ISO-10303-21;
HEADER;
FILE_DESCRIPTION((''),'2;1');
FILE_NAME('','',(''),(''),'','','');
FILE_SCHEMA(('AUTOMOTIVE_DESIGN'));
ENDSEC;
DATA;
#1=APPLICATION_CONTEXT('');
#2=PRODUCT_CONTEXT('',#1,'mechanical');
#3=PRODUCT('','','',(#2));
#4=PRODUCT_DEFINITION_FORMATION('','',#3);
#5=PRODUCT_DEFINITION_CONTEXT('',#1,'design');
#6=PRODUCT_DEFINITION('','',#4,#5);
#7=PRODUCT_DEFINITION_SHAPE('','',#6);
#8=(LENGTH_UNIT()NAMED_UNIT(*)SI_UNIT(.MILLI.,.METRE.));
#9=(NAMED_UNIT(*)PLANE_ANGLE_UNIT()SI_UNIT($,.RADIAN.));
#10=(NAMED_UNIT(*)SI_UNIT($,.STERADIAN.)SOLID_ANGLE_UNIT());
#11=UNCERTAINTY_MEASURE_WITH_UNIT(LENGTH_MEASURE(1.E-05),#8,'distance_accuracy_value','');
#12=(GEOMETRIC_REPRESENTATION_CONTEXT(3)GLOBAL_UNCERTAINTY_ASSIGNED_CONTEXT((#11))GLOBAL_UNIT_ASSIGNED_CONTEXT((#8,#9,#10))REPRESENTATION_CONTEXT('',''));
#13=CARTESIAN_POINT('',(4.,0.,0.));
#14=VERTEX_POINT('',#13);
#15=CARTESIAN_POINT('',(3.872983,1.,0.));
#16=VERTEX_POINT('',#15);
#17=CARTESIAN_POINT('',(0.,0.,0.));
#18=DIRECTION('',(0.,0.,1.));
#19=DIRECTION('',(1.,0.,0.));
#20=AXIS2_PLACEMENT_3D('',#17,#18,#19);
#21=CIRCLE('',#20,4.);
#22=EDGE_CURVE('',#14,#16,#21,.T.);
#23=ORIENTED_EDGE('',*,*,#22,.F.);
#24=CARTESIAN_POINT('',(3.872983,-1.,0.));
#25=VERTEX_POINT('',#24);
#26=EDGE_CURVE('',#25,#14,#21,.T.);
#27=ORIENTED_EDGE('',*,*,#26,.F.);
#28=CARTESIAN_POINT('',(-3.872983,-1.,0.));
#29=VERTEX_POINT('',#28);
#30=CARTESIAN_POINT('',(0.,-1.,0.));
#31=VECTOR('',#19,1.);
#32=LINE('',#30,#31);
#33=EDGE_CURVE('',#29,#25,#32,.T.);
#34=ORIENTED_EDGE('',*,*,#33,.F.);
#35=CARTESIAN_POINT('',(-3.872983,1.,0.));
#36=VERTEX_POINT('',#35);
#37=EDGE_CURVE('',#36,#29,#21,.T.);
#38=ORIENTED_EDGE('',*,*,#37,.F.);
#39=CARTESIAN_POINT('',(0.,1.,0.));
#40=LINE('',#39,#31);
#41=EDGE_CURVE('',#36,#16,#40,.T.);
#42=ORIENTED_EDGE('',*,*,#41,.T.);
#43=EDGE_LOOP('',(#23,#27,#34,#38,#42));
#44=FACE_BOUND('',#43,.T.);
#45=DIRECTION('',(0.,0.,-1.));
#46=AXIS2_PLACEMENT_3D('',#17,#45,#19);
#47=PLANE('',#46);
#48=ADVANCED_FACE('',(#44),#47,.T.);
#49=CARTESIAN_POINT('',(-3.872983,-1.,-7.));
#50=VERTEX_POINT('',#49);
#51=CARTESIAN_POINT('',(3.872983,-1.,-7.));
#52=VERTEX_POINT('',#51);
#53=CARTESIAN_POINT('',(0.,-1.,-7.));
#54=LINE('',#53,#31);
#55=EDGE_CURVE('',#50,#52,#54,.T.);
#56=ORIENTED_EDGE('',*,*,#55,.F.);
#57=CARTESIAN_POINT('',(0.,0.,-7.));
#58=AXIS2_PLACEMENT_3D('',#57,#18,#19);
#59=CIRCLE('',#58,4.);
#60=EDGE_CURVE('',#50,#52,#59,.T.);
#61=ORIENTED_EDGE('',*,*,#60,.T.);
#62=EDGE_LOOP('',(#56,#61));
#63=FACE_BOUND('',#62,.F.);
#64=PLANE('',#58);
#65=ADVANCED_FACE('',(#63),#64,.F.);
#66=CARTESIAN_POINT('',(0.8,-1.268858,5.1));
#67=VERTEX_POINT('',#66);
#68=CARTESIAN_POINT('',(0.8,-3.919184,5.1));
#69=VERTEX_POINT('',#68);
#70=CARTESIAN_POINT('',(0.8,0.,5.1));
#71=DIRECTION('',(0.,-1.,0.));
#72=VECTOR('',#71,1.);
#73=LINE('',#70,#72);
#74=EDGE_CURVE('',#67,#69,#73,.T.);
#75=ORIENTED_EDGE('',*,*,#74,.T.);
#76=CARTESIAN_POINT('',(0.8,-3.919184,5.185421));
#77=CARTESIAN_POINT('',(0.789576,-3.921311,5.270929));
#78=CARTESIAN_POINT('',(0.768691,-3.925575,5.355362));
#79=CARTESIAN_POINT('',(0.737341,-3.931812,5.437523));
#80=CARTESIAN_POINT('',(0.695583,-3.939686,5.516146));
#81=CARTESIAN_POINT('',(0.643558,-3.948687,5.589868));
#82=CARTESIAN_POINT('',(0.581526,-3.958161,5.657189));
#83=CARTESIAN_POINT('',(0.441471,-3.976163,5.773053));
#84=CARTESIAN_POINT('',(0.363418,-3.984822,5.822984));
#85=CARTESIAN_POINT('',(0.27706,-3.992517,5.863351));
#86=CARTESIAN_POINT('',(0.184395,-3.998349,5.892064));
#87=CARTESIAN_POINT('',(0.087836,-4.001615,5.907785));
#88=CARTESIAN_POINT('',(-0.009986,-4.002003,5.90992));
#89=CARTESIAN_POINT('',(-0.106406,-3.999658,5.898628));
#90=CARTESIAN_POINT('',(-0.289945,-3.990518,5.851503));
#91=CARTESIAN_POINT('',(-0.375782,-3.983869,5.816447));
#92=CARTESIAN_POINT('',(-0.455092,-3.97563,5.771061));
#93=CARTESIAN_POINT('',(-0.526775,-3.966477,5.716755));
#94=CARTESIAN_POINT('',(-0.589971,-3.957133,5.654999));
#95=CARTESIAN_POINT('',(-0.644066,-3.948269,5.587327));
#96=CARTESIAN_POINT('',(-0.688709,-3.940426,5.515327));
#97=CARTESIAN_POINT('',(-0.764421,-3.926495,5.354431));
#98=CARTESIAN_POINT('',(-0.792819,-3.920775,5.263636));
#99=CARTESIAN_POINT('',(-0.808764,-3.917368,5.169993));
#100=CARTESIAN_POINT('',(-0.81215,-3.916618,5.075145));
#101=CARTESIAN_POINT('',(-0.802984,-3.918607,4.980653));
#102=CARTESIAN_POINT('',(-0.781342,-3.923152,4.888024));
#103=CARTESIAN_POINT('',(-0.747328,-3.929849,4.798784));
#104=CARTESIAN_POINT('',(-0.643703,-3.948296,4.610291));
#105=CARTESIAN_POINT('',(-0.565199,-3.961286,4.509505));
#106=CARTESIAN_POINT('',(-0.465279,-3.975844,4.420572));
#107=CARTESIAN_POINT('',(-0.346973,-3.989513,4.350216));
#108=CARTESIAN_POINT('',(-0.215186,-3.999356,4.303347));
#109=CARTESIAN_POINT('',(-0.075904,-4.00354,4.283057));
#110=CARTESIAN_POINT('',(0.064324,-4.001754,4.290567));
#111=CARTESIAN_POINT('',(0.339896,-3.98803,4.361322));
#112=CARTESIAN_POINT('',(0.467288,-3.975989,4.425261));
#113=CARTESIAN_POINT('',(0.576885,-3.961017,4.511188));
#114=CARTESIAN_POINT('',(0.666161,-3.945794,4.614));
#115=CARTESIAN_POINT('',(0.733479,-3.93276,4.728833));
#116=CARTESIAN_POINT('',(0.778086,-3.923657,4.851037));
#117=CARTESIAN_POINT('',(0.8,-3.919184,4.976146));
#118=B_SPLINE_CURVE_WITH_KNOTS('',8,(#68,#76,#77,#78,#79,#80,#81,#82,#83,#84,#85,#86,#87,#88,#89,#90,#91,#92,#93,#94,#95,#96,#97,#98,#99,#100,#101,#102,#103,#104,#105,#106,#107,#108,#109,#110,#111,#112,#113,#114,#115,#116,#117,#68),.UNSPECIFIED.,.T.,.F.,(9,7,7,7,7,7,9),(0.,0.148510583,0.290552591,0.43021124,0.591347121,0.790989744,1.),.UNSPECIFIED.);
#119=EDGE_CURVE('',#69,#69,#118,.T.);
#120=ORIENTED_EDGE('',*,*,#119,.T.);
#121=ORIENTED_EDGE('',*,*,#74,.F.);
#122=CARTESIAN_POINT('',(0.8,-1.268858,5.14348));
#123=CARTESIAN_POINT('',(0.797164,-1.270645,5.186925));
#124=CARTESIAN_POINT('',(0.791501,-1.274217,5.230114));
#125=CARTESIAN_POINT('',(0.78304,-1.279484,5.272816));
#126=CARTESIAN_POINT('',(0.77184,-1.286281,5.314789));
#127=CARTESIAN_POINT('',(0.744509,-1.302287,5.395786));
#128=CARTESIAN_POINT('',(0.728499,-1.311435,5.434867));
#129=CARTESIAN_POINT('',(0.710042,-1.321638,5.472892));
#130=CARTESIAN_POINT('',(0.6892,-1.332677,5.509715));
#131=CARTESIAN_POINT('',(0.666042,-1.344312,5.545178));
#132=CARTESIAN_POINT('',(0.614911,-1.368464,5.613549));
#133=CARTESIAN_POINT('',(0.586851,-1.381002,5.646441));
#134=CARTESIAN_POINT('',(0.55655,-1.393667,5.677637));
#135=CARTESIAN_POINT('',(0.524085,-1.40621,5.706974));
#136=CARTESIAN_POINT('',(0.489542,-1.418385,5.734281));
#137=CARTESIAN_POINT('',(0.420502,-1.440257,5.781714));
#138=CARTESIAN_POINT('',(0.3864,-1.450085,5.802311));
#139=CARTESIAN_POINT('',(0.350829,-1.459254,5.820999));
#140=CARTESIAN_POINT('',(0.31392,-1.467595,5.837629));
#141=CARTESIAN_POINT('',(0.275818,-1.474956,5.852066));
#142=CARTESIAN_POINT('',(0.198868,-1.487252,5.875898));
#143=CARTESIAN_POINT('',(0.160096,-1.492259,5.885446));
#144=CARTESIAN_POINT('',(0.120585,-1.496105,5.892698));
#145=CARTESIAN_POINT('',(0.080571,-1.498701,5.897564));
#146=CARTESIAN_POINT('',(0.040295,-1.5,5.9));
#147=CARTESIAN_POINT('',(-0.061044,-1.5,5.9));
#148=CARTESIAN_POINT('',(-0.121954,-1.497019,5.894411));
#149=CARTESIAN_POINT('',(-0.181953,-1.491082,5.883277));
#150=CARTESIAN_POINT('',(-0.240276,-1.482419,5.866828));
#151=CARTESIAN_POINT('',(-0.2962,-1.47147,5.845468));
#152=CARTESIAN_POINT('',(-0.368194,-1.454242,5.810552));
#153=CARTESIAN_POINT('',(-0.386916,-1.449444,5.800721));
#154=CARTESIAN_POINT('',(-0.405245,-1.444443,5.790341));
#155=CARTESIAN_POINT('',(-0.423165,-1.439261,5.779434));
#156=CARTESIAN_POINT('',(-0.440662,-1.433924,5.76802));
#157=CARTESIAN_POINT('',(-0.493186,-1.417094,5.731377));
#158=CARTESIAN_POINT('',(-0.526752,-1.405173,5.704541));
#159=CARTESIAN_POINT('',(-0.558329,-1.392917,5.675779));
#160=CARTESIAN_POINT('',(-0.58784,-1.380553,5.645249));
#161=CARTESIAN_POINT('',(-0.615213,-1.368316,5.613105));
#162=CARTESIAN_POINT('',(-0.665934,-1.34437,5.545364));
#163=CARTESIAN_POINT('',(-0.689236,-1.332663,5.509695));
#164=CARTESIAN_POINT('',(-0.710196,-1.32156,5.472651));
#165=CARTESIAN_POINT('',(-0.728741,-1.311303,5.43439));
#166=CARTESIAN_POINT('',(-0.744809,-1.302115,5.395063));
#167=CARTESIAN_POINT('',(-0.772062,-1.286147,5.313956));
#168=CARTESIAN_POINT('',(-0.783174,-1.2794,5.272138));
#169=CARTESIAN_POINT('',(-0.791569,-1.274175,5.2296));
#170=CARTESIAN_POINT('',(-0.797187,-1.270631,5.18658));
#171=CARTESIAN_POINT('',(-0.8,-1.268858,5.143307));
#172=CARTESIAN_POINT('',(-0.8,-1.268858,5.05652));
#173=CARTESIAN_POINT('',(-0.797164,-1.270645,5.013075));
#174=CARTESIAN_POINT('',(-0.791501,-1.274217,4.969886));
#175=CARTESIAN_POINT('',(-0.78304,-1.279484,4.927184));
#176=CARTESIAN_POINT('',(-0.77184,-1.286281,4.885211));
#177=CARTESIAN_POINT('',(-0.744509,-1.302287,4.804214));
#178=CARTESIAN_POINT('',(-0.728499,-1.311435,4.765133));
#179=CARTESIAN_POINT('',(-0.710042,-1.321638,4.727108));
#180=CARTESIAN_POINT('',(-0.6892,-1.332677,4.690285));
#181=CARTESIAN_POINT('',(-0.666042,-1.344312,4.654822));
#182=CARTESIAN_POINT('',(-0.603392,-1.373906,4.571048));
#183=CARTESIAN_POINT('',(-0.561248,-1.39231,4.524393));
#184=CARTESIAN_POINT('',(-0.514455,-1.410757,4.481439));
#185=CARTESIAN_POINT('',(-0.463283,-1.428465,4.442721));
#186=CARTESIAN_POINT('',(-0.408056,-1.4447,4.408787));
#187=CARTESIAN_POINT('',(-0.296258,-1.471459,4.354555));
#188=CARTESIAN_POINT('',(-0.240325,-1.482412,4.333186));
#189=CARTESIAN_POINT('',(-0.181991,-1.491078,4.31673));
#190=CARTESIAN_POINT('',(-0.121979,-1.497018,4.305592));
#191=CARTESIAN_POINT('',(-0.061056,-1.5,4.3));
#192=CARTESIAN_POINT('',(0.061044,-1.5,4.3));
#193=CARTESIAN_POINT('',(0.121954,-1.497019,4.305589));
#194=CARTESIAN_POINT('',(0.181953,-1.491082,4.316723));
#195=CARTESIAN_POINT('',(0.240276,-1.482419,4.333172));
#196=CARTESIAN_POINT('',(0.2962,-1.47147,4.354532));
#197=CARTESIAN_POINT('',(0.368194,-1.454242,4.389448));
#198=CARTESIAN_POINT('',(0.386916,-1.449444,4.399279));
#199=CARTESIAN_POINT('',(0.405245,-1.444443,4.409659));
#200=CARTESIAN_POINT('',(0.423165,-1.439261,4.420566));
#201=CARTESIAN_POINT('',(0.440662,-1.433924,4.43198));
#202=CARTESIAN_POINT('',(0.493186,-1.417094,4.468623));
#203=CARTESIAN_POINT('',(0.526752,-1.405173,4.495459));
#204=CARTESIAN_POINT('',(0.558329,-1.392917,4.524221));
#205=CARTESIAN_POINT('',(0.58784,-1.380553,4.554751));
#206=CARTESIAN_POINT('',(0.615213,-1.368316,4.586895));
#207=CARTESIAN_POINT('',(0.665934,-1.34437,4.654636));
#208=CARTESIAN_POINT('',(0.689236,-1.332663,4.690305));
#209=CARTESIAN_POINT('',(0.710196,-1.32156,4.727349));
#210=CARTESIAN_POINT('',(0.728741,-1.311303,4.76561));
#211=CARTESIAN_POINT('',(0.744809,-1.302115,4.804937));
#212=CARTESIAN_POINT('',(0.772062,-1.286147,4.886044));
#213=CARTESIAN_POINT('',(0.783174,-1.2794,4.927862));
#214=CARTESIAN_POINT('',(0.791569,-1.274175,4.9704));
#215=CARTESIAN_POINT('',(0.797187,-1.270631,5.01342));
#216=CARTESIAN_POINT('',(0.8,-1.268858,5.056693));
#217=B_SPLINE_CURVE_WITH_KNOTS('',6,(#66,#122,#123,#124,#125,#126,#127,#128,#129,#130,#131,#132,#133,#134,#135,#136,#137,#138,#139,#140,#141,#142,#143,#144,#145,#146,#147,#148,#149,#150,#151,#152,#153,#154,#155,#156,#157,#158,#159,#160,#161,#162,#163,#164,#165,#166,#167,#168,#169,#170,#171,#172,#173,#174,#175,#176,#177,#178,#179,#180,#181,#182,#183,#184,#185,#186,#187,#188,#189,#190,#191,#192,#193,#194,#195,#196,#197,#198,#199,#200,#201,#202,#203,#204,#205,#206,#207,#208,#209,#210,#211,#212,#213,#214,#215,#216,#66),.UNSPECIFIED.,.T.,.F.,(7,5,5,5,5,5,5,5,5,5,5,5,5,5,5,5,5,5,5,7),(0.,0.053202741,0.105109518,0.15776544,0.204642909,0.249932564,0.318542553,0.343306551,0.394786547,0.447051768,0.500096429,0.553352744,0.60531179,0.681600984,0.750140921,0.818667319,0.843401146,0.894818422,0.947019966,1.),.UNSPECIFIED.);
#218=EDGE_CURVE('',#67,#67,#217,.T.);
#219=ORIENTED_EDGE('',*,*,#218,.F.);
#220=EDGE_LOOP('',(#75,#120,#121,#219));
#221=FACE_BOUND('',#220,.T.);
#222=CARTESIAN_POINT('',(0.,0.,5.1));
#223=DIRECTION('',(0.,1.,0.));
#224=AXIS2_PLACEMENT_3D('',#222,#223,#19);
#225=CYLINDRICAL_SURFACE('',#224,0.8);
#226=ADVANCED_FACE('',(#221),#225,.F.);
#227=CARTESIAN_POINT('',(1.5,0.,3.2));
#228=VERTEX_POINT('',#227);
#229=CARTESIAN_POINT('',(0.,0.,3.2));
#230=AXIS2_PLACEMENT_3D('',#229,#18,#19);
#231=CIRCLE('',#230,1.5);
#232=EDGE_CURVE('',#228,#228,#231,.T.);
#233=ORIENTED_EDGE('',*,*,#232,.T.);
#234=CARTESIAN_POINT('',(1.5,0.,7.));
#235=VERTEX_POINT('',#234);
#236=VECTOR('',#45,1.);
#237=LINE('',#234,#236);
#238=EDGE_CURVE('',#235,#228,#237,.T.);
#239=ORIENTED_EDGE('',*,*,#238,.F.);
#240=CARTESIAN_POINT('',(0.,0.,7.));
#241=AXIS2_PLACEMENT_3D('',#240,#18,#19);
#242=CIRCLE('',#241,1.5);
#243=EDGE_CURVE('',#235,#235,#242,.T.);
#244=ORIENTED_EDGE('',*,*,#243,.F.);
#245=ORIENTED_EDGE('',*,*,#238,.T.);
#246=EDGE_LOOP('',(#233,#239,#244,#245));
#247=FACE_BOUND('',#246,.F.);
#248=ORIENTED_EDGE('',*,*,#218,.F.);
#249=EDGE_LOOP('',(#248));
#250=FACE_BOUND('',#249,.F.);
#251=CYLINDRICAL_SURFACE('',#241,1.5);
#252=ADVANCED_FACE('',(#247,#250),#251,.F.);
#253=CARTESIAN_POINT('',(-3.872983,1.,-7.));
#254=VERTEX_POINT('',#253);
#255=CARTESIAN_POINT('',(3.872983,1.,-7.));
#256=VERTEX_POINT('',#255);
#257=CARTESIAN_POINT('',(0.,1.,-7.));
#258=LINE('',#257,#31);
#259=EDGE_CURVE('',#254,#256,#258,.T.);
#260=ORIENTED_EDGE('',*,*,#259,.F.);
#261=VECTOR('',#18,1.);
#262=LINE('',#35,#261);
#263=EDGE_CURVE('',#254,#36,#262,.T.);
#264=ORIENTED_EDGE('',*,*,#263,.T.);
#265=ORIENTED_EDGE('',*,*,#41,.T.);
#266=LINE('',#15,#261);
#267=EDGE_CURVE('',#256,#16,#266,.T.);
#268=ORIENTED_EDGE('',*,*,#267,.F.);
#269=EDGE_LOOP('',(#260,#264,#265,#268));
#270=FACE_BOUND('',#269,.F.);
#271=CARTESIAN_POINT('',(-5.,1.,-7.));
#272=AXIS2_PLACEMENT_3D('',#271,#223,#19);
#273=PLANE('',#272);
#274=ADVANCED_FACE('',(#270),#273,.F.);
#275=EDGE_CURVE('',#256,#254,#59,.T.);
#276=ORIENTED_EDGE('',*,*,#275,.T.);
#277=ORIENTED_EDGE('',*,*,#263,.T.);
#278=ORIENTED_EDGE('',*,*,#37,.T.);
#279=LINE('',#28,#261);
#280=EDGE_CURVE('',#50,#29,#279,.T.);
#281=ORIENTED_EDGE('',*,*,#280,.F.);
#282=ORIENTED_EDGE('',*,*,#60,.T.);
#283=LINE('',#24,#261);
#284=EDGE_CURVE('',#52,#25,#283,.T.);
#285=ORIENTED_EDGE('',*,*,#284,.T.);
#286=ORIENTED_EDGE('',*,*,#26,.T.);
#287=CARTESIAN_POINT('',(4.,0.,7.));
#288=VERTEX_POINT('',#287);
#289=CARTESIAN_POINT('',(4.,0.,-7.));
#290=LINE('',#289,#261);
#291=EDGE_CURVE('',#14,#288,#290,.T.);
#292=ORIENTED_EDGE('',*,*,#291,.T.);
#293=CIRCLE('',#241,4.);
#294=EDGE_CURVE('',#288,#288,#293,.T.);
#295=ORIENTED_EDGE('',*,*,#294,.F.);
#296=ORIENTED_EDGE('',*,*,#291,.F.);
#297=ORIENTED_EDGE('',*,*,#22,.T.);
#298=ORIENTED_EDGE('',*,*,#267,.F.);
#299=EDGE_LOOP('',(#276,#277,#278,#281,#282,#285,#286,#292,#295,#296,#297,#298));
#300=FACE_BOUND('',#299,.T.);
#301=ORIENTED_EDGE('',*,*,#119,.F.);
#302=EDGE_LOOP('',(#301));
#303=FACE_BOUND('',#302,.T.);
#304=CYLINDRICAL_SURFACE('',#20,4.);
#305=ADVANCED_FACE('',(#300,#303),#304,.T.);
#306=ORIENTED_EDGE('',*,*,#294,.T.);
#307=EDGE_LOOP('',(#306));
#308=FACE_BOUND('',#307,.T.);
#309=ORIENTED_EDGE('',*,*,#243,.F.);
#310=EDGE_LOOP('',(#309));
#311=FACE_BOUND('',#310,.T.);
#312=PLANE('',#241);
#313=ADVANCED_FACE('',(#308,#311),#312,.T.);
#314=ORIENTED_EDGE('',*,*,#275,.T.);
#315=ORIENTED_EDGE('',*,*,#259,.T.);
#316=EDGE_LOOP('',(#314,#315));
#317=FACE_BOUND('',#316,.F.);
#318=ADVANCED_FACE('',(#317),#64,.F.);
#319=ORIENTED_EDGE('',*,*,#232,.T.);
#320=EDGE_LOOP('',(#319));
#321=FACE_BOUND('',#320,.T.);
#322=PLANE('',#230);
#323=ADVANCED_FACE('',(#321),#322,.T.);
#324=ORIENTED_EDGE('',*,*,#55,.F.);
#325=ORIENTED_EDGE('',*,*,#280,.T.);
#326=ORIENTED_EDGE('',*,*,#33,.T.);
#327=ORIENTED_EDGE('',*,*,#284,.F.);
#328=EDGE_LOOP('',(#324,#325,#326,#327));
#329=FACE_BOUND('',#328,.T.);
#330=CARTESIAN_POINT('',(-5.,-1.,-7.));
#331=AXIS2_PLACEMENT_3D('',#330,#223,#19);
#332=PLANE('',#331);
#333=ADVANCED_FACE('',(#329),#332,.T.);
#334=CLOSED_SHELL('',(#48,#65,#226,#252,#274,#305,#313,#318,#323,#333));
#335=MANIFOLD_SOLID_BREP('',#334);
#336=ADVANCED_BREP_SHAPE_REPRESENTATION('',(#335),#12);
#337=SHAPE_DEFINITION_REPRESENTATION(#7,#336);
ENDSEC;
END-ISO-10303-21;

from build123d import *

# Parameters (mm, degrees)
F0_R     = 4
F1_DEPTH = 7
F2_R     = 1.5
F3_DEPTH = 3.8
F4_W     = 10
F4_H     = 2
F5_DEPTH = 7
F6_R     = 0.8
F7_DEPTH = 4.001


with BuildPart() as f1:
    # F0 (on Top) → F1 (new body, symmetric)
    with BuildSketch(Plane.XY):
        Circle(F0_R)
    extrude(amount=F1_DEPTH, both=True)

    # F2 (on face) → F3 (cut)
    with BuildSketch(Plane.XY.offset(7)):
        Circle(F2_R)
    extrude(amount=-F3_DEPTH, mode=Mode.SUBTRACT)

    # F4 (on face) → F5 (cut)
    with BuildSketch(Plane(origin=(0, 0, -7), x_dir=(1, 0, 0), z_dir=(0, 0, -1))):
        Rectangle(F4_W, F4_H)
    extrude(amount=-F5_DEPTH, mode=Mode.SUBTRACT)

    # F6 (on Front) → F7 (cut, through all)
    with BuildSketch(Plane.XZ):
        with Locations((0, 5.1)):
            Circle(F6_R)
    extrude(amount=F7_DEPTH, mode=Mode.SUBTRACT)


solid = f1.part
